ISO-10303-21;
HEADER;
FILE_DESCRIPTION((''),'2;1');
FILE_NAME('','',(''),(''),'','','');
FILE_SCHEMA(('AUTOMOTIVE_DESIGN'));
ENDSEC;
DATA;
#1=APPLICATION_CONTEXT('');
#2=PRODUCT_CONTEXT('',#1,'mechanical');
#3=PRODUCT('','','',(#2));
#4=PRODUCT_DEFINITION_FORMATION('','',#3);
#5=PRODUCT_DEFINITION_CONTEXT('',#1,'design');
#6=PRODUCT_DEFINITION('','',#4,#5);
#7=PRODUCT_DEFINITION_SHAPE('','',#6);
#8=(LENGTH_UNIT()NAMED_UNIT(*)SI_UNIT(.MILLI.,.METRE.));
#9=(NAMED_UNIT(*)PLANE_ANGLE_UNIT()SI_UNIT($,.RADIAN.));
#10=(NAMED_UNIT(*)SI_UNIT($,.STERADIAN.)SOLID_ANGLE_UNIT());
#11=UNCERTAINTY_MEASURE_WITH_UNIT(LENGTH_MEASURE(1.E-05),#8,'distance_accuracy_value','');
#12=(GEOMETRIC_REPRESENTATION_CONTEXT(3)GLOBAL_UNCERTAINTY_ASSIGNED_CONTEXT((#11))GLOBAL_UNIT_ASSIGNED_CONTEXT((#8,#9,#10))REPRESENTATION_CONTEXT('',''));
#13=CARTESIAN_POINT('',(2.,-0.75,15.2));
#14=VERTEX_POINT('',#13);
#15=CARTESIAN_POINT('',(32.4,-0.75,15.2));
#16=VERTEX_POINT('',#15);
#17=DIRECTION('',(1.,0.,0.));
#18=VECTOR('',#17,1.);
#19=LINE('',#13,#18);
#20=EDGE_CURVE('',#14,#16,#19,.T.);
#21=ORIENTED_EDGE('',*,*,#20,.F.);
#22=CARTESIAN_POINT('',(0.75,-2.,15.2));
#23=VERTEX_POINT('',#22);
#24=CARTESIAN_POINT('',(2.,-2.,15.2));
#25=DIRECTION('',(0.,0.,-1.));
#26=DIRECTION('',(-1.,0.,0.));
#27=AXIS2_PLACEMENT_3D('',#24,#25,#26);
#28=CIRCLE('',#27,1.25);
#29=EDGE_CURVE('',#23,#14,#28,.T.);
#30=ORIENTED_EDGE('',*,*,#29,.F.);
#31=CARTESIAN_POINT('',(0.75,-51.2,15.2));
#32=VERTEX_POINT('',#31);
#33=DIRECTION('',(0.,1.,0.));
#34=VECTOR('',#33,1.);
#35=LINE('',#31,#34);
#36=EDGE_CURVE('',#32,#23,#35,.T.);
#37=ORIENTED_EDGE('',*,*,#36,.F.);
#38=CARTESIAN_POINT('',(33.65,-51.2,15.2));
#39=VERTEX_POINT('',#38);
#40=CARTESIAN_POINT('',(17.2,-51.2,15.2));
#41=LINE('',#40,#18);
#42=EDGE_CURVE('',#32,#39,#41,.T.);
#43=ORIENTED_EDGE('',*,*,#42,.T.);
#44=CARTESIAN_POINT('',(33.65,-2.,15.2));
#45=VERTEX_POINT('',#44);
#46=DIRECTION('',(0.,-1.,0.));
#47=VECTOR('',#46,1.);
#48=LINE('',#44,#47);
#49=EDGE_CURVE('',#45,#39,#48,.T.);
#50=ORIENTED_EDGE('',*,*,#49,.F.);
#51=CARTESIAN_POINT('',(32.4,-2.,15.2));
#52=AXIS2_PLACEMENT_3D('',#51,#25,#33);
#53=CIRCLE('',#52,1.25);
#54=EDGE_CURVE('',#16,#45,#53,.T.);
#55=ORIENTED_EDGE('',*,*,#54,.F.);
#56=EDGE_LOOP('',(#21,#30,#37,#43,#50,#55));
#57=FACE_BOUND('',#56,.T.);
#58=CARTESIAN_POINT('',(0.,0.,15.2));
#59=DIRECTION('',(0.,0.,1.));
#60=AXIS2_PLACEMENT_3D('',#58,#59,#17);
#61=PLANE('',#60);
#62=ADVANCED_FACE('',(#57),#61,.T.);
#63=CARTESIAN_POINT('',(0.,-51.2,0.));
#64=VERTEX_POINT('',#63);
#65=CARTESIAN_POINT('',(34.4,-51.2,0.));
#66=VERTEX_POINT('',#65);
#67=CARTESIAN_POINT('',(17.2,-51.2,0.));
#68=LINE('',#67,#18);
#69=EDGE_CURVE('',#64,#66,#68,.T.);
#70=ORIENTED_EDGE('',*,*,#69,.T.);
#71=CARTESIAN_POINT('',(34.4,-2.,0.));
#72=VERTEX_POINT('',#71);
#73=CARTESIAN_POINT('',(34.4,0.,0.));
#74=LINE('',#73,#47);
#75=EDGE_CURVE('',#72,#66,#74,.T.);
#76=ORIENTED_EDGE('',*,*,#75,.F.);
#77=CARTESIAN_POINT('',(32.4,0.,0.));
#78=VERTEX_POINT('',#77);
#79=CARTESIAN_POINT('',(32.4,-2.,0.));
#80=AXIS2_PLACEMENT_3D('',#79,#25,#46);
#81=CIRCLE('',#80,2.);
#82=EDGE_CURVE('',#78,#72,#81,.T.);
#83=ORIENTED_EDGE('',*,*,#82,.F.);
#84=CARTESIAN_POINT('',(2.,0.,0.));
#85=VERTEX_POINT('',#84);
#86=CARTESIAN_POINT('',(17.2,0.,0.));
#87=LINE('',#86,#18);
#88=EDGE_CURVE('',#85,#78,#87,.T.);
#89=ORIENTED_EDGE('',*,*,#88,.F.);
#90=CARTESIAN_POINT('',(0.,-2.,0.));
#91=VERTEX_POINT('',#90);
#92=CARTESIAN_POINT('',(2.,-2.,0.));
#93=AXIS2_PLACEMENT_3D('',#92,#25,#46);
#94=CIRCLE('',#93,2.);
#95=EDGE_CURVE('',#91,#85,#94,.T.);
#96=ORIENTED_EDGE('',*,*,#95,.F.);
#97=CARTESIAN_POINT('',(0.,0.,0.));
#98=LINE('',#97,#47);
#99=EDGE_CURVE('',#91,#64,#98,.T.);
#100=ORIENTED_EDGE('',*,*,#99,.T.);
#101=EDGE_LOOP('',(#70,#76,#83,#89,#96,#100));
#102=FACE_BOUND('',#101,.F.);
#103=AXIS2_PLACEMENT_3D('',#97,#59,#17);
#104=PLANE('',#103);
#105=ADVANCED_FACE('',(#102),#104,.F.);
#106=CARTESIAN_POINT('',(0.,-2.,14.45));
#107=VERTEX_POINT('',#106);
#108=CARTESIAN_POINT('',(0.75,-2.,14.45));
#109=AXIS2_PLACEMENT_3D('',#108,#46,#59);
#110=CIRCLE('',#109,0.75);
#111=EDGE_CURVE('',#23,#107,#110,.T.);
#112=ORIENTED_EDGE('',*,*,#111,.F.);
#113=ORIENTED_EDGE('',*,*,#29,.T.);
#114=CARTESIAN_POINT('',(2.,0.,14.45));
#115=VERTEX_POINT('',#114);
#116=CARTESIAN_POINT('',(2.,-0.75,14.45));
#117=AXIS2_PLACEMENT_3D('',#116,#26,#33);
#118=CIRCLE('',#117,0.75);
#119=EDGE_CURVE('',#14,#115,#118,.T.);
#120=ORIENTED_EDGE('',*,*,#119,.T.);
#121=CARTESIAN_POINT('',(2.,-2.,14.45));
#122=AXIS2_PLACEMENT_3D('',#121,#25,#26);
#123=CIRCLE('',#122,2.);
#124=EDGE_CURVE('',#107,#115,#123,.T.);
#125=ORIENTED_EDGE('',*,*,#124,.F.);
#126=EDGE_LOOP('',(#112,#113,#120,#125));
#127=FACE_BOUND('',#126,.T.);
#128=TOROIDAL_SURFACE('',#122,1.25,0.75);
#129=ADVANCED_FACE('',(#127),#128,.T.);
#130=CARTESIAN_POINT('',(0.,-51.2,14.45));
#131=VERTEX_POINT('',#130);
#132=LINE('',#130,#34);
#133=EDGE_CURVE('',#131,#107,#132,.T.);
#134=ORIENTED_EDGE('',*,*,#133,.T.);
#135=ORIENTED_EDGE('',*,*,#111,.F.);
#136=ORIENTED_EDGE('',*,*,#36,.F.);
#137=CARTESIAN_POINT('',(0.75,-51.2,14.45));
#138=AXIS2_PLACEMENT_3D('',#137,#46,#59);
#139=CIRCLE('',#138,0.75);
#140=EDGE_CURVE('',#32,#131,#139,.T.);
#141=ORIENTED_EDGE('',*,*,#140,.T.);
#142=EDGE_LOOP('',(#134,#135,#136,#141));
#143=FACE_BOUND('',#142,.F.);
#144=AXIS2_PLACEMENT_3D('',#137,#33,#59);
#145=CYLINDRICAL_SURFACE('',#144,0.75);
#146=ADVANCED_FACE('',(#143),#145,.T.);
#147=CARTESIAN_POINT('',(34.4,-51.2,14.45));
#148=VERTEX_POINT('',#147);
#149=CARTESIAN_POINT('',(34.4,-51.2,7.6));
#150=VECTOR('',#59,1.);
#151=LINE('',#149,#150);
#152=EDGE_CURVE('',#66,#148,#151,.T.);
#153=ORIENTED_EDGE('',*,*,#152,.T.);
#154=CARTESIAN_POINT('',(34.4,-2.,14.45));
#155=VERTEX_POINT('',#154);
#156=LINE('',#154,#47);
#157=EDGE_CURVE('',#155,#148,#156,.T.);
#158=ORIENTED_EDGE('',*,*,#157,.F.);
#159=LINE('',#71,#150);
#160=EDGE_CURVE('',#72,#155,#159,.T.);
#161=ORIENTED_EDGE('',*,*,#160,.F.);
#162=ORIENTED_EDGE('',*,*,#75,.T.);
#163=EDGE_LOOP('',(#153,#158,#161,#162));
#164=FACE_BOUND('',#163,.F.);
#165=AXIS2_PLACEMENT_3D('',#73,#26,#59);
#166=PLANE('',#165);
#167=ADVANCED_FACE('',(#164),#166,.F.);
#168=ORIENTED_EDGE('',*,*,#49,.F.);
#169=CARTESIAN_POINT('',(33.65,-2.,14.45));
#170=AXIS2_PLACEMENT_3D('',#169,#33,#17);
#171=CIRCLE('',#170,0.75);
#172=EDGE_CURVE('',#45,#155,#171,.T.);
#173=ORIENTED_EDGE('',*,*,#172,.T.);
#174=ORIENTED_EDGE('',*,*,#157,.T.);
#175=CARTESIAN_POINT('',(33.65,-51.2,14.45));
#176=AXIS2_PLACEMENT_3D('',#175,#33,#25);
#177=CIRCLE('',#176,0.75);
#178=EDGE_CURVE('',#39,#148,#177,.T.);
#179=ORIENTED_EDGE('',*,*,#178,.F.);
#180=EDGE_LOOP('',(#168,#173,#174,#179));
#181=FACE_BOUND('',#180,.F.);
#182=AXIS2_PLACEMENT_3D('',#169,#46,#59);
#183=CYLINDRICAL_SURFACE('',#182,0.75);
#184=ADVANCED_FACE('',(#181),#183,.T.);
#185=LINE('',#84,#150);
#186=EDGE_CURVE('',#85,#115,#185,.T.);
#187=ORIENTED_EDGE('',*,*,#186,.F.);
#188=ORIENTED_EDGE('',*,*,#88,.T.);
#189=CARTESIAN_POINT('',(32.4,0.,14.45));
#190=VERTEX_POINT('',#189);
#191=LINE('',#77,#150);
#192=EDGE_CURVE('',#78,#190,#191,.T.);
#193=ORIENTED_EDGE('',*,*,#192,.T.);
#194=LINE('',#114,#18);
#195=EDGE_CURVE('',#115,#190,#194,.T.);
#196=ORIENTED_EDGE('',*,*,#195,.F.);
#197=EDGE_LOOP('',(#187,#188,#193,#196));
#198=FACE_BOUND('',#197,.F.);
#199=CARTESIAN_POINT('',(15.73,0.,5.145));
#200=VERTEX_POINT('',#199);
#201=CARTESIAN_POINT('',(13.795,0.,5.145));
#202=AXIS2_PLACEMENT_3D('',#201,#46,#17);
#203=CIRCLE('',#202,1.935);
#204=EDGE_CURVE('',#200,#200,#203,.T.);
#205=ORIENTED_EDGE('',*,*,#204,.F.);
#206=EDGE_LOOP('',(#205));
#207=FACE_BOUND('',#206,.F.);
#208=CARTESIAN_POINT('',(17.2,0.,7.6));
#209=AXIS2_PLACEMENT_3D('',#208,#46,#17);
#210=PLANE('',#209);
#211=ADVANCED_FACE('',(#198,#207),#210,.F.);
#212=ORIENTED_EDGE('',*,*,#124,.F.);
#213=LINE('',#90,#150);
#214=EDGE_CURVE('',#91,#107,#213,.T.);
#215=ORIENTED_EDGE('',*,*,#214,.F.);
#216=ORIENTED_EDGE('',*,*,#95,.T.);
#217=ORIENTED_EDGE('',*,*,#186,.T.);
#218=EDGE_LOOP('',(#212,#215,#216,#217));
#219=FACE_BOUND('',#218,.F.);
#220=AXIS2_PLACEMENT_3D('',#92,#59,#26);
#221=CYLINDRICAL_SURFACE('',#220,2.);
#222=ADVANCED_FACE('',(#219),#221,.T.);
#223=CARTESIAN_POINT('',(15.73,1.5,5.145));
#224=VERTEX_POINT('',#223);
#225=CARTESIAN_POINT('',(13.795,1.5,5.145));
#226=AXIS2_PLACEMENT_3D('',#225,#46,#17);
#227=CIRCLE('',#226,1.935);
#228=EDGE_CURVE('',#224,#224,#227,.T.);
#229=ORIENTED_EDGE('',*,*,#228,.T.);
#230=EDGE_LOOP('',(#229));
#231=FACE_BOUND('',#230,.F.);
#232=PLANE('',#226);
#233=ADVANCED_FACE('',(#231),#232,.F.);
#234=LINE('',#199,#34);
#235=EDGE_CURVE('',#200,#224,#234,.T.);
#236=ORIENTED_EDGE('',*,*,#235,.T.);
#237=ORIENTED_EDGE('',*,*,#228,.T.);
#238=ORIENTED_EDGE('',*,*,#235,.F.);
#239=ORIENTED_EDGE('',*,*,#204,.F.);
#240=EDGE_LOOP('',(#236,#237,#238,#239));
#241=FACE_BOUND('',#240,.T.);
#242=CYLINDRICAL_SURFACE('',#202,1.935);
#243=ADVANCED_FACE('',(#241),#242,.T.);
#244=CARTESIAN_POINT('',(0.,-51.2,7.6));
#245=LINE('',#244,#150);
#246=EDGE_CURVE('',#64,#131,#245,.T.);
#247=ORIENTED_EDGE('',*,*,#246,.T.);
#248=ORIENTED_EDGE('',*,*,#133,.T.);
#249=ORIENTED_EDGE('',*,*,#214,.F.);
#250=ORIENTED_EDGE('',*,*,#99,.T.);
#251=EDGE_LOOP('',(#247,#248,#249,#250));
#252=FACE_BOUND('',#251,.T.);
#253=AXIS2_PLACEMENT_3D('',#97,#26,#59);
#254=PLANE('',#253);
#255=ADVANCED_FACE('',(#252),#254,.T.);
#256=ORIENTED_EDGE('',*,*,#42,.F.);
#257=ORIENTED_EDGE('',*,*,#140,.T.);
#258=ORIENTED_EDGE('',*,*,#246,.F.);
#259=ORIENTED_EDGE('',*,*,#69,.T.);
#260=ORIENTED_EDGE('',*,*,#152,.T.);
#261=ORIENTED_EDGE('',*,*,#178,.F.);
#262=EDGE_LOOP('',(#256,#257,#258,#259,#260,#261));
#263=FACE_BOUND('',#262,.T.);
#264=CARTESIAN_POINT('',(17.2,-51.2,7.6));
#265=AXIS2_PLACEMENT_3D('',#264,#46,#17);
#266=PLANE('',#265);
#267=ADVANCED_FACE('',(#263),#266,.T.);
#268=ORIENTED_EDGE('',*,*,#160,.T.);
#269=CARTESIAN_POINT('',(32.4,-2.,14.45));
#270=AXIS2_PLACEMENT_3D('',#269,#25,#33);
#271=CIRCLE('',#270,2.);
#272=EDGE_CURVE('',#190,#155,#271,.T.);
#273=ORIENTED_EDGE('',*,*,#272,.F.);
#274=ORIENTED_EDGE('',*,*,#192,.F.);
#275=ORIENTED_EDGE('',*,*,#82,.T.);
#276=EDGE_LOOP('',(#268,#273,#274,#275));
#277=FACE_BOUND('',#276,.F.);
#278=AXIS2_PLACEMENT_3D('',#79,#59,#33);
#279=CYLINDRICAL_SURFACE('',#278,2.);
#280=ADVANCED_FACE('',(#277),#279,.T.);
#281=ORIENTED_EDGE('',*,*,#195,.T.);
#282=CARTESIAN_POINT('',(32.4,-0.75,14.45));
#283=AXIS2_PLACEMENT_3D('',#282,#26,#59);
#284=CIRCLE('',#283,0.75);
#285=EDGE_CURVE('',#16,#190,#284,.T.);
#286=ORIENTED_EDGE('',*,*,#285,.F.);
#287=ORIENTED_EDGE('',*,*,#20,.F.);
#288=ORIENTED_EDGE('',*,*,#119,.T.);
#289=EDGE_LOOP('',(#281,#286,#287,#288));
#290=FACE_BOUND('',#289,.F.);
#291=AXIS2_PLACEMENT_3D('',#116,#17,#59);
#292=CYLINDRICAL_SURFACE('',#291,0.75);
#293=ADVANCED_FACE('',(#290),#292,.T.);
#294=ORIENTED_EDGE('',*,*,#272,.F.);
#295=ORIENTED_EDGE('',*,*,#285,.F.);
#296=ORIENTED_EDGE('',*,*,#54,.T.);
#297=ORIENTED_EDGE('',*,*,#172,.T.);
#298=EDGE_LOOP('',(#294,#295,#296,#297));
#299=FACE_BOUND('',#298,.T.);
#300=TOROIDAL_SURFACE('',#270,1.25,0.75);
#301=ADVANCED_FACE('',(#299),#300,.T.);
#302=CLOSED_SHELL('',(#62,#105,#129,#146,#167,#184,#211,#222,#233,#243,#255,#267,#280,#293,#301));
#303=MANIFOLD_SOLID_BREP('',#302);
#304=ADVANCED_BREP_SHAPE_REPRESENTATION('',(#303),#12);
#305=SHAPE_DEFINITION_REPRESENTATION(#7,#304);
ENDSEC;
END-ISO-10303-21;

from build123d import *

# Parameters (mm, degrees)
F0_W     = 34.4
F0_H     = 15.2
F0_R     = 1.935
F1_DEPTH = 51.2
F2_DEPTH = 1.5
F3_R     = 2
F4_R     = 0.75


with BuildPart() as f1:
    # F0 (on Front) → F1 (new body)
    with BuildSketch(Plane.XZ):
        with Locations((17.2, 7.6)):
            Rectangle(F0_W, F0_H)
        with Locations((13.795, 5.145)):
            Circle(F0_R, mode=Mode.SUBTRACT)
        with Locations((13.795, 5.145)):
            Circle(F0_R)
    extrude(amount=F1_DEPTH)

    # F0 (on Front) → F2 (join)
    with BuildSketch(Plane.XZ):
        with Locations((13.795, 5.145)):
            Circle(F0_R)
    extrude(amount=-F2_DEPTH)

    # F3
    f3_edges = [f1.edges().sort_by_distance(p)[0] for p in [
        (34.4, 0, 7.6),
        (0, 0, 7.6),
    ]]
    fillet(f3_edges, radius=F3_R)

    # F4
    f4_edges = [f1.edges().sort_by_distance(p)[0] for p in [
        (34.4, -26.6, 15.2),
    ]]
    fillet(f4_edges, radius=F4_R)


solid = f1.part
